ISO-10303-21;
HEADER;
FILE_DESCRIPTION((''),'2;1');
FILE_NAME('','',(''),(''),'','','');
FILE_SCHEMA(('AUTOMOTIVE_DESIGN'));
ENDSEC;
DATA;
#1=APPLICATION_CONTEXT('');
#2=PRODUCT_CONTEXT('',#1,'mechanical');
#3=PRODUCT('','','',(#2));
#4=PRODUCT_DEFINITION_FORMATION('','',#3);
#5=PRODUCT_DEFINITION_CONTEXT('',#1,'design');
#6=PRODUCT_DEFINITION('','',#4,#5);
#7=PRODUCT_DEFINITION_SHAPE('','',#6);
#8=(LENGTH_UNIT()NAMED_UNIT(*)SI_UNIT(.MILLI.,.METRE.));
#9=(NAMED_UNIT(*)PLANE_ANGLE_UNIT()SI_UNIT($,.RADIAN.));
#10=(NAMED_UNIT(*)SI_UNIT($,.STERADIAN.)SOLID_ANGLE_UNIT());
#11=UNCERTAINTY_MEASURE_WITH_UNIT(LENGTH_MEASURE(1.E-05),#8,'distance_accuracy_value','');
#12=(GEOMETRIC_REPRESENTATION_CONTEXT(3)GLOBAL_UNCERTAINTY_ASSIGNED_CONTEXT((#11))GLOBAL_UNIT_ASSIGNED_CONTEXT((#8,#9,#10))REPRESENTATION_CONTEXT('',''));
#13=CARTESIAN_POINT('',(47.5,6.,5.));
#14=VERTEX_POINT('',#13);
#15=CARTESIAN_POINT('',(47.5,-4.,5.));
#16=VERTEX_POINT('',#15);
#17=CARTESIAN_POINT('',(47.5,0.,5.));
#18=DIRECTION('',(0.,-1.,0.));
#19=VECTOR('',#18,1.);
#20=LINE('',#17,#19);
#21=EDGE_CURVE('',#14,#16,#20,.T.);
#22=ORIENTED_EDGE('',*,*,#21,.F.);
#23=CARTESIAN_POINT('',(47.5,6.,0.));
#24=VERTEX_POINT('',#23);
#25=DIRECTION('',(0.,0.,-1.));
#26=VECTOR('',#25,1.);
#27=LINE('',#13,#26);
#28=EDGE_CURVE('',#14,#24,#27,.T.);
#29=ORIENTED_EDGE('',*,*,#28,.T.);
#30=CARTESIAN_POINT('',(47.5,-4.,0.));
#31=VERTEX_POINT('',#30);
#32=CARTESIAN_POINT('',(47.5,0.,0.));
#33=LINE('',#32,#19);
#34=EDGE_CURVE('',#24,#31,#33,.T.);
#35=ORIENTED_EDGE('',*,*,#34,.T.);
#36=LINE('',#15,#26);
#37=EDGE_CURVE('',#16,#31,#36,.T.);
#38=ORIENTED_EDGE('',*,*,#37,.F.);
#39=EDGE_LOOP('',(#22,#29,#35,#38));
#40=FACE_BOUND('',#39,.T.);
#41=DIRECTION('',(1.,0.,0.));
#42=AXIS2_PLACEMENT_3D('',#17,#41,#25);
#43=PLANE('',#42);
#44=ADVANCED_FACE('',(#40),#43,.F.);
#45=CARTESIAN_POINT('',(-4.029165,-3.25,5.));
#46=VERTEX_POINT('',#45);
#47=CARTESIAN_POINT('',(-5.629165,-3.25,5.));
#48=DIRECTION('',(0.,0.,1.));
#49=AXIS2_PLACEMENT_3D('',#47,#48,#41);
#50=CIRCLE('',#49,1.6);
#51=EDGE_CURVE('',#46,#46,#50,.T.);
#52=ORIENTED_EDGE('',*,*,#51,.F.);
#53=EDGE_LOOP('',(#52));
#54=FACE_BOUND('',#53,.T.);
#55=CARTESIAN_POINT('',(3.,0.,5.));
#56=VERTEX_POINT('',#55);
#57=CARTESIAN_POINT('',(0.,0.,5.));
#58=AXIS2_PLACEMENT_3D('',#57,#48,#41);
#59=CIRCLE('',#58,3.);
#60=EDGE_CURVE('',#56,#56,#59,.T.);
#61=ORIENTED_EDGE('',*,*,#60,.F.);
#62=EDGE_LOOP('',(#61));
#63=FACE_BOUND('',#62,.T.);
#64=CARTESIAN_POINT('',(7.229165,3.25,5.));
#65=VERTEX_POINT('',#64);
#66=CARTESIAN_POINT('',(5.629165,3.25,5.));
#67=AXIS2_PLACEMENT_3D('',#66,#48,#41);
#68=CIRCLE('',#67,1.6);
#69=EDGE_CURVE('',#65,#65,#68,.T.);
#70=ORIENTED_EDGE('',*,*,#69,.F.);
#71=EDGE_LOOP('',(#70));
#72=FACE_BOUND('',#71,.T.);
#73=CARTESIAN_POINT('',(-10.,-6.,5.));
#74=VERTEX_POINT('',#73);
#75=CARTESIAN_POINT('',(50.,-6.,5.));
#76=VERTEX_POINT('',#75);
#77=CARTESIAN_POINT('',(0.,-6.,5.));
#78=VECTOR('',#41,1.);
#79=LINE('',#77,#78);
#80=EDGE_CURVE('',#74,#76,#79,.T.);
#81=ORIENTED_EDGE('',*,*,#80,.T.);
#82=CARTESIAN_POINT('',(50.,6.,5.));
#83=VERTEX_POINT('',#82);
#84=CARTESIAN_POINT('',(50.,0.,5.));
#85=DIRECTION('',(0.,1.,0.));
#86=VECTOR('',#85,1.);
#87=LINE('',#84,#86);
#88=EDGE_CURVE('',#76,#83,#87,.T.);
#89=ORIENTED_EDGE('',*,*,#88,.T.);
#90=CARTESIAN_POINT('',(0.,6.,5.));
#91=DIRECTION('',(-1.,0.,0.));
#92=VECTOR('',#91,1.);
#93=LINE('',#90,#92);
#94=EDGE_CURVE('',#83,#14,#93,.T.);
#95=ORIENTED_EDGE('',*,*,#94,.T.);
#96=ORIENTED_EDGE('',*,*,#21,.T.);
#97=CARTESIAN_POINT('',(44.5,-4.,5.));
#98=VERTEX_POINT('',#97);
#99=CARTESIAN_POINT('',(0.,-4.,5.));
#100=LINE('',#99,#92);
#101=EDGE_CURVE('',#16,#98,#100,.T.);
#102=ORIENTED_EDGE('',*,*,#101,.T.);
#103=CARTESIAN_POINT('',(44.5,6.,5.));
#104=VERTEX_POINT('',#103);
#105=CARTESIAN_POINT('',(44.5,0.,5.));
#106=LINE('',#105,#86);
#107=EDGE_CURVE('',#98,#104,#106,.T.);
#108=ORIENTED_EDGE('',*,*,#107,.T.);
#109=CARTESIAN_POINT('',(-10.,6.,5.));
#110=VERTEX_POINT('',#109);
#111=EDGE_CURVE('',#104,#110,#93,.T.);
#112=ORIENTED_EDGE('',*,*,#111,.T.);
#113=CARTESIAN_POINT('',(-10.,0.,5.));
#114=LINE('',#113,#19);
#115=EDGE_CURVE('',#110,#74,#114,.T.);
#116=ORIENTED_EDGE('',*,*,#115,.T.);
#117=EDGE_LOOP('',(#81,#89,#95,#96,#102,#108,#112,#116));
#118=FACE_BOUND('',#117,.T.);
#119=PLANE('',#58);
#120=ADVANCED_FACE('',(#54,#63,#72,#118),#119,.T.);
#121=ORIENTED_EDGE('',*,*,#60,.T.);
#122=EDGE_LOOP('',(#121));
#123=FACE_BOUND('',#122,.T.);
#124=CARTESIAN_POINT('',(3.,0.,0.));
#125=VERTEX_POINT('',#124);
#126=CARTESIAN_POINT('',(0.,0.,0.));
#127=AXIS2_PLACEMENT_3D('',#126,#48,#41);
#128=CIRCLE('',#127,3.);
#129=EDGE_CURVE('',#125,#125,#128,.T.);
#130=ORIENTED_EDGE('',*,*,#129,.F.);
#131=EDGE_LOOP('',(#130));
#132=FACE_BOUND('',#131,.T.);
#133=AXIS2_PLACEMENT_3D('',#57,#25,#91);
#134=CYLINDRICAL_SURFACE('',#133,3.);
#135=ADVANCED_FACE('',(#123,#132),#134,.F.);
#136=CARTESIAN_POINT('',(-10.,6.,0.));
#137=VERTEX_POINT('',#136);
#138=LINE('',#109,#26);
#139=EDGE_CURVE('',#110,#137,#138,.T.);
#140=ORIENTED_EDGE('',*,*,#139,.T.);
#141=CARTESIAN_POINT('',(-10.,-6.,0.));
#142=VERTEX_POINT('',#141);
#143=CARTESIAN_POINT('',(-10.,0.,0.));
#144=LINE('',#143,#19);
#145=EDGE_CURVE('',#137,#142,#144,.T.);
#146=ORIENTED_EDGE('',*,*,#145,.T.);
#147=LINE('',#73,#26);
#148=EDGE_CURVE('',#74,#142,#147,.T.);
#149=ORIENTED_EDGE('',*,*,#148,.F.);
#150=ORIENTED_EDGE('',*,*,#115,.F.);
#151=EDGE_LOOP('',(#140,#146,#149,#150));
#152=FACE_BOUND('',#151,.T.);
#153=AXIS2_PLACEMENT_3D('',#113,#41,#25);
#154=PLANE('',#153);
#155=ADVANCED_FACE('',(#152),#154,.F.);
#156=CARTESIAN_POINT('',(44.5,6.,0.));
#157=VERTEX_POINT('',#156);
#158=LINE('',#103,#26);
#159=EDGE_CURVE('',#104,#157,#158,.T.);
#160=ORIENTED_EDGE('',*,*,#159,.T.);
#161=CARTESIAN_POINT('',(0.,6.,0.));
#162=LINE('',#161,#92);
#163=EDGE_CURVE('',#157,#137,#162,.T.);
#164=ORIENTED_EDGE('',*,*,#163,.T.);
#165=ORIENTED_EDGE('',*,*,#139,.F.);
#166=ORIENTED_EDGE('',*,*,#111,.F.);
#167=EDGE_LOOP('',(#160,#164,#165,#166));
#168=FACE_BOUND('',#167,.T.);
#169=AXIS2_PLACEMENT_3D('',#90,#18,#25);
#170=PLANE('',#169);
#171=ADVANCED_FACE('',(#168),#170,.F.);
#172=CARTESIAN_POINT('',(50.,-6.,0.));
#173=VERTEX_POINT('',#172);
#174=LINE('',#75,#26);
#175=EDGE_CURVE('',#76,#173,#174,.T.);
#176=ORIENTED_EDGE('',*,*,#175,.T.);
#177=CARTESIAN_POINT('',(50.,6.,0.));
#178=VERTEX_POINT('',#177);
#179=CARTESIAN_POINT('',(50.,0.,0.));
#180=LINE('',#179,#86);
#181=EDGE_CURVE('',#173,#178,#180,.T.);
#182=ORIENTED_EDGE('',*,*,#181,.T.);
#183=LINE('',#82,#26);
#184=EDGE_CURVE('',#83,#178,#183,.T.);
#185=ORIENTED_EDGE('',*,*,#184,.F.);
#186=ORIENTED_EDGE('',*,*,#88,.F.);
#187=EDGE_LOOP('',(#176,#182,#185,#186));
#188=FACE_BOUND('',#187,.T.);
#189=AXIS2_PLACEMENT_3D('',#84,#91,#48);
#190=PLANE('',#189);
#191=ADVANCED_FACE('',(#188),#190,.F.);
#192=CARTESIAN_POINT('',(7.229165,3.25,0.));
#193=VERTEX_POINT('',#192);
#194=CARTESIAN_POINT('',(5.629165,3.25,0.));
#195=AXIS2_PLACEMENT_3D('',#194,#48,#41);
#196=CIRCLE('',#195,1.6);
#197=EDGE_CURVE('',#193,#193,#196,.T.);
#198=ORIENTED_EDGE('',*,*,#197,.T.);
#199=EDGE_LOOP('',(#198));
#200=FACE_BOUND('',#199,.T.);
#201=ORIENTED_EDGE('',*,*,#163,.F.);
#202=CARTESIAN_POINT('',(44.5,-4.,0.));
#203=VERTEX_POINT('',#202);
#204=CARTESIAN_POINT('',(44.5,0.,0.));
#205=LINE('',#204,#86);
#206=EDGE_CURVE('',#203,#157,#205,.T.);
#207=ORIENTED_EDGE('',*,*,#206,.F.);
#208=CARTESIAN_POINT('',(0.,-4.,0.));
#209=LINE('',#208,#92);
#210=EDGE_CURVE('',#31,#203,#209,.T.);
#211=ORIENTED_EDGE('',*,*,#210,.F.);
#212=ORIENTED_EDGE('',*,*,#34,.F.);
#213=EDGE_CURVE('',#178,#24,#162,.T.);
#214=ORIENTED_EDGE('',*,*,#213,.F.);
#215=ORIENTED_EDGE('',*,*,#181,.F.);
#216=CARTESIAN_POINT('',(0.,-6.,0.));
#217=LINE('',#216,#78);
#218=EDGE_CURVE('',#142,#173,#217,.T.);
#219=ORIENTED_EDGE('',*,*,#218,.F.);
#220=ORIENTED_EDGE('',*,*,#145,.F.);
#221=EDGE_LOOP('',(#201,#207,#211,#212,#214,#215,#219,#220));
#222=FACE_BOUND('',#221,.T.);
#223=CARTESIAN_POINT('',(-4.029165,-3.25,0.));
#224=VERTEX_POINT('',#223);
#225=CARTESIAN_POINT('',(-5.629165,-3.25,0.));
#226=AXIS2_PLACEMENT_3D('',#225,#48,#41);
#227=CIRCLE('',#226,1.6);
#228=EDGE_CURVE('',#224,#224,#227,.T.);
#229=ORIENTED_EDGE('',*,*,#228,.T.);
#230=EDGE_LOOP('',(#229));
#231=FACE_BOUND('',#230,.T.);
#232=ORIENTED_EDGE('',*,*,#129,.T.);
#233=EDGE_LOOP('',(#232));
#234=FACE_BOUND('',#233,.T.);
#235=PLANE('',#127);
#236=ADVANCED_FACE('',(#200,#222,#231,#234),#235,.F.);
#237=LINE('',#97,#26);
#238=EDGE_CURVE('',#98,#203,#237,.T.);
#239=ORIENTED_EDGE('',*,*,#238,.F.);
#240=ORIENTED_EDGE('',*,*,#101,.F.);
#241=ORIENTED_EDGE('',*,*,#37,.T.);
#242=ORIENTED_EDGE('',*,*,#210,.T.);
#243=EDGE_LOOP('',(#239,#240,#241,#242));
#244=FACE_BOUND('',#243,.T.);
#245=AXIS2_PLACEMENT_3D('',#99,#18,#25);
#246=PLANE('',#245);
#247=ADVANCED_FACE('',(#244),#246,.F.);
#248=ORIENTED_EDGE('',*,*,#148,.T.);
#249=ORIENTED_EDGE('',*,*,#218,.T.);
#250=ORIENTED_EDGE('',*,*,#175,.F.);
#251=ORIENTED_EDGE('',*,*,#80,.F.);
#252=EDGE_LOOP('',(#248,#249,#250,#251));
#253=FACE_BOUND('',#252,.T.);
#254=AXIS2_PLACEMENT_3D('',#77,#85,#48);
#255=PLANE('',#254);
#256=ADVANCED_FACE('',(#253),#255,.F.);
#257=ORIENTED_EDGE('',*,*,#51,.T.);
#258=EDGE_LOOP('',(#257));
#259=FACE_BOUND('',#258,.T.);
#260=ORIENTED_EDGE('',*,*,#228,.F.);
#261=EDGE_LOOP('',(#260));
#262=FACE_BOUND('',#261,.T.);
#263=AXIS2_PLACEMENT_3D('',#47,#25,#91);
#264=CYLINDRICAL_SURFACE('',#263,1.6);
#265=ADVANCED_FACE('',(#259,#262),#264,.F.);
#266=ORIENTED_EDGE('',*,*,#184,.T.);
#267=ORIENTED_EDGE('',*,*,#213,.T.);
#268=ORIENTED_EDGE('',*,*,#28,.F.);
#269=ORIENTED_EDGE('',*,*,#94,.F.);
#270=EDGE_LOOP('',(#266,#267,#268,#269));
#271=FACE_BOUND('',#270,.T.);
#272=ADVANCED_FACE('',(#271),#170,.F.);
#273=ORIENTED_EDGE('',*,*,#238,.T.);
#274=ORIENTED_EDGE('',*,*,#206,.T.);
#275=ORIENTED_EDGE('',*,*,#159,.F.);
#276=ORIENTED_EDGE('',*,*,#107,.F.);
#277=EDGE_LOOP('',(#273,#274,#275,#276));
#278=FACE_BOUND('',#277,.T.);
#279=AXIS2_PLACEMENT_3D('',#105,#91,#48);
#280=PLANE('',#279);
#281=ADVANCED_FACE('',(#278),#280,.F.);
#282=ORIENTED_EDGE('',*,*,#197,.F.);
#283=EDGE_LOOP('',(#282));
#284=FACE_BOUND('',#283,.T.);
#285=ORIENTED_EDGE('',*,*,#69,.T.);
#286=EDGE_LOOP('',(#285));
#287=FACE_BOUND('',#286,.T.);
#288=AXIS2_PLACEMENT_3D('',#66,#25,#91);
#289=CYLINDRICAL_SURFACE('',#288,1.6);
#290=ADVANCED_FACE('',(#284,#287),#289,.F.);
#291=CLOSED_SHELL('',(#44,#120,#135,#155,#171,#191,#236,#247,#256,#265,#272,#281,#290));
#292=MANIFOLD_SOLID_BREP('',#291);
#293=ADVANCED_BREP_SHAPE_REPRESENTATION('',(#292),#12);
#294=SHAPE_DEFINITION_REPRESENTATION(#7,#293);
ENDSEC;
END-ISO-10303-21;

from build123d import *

# Parameters (mm, degrees)
SKETCH_1_R      = 3
SKETCH_1_R_2    = 1.6
EXTRUDE_1_DEPTH = 5


with BuildPart() as part:
    # ｽｹｯﾁ1 → ﾎﾞｽ - 押し出し1 (new body)
    with BuildSketch(Plane.XY):
        Polygon((0, -6), (50, -6), (50, 6), (47.5, 6), (47.5, -4), (44.5, -4), (44.5, 6), (-10, 6), (-10, -6), align=None)
        Circle(SKETCH_1_R, mode=Mode.SUBTRACT)
        with Locations((5.629165125, 3.25)):
            Circle(SKETCH_1_R_2, mode=Mode.SUBTRACT)
        with Locations((-5.629165125, -3.25)):
            Circle(SKETCH_1_R_2, mode=Mode.SUBTRACT)
    extrude(amount=EXTRUDE_1_DEPTH)


solid = part.part
